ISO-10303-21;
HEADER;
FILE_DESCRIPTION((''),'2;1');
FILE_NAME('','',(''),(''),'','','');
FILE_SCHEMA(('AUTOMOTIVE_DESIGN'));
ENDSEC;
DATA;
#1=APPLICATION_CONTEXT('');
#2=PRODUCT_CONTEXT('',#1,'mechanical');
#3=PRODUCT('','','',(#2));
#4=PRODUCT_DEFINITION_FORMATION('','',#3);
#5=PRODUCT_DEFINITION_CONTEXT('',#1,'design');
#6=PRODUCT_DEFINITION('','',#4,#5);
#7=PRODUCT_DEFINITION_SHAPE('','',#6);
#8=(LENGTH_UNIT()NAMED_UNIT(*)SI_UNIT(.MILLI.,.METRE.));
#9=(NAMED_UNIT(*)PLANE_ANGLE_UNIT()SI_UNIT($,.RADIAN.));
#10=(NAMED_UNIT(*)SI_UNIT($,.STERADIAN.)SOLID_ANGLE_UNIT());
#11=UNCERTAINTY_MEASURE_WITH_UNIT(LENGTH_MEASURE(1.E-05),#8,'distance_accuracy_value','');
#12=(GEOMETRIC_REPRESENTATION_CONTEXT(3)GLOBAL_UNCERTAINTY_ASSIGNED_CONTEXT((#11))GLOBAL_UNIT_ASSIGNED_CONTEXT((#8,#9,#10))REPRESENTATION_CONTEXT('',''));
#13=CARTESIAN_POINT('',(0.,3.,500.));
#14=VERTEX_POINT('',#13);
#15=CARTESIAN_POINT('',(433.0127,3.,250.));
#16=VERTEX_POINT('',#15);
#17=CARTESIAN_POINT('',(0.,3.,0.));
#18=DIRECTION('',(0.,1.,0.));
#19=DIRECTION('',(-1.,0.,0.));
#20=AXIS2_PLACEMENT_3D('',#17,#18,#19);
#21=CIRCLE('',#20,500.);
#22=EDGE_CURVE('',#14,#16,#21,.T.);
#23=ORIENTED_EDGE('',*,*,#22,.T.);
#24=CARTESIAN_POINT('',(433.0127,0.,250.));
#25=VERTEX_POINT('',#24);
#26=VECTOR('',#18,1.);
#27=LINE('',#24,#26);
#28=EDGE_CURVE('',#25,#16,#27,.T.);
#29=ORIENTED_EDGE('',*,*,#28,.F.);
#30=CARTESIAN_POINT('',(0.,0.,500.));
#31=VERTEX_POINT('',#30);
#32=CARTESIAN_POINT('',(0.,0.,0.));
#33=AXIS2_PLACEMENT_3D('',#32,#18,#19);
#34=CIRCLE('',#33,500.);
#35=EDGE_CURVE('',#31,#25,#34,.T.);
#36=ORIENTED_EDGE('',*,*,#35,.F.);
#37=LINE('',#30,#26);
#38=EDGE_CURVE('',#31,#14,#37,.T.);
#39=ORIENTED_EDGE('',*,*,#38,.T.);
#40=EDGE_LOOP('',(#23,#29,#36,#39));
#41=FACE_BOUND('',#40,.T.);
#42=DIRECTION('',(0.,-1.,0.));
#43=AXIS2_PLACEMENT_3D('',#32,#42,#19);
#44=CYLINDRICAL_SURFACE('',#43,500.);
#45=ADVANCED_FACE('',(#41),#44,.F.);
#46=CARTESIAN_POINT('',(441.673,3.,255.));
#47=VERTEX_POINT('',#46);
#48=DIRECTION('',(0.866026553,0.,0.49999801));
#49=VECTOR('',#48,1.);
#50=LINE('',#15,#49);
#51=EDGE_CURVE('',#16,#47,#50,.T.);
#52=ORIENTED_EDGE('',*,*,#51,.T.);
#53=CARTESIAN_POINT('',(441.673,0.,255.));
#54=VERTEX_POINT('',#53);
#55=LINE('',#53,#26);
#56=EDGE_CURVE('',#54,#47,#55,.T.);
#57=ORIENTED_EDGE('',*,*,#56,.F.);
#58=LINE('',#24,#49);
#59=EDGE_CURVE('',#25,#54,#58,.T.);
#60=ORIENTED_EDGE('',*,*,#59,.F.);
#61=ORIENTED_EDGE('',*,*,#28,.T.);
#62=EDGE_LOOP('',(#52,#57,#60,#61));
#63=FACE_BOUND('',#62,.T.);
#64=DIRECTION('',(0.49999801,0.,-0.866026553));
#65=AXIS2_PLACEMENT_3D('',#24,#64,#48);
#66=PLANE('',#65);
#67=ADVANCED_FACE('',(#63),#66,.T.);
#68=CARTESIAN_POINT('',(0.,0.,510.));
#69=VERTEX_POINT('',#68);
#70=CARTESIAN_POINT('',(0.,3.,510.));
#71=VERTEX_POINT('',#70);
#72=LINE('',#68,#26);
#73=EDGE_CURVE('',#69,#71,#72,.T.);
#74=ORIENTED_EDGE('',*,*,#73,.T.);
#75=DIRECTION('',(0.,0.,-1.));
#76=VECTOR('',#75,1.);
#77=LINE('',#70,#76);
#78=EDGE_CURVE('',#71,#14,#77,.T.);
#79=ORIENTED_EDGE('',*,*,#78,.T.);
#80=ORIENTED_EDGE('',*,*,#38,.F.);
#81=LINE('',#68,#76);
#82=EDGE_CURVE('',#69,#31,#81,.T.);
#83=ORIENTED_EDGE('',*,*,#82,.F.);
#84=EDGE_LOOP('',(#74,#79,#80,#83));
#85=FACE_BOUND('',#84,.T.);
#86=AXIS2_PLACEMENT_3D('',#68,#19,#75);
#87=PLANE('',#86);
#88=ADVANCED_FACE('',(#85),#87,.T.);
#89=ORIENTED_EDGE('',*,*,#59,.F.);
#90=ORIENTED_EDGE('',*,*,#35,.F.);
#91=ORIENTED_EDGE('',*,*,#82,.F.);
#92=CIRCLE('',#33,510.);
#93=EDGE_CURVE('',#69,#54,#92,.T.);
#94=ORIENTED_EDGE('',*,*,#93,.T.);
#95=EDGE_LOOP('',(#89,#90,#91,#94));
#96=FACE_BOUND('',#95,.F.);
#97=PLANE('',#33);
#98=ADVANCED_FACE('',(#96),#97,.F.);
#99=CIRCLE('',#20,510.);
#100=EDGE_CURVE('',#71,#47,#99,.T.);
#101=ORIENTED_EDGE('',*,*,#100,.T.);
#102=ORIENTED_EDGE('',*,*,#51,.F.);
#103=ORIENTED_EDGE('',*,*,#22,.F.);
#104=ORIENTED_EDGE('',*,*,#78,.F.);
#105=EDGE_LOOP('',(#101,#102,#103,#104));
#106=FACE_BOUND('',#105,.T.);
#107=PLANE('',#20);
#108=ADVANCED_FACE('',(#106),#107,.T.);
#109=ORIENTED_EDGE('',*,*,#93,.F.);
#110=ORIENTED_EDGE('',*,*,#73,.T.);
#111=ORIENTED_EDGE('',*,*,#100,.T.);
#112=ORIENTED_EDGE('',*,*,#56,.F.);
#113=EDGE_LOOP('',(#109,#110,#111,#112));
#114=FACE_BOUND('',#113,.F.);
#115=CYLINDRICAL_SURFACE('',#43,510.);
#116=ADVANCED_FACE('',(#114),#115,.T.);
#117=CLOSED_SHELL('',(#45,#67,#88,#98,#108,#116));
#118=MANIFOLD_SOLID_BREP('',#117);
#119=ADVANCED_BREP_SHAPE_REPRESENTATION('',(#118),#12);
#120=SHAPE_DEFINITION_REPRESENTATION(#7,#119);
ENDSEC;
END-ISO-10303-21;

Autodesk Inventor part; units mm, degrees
ref_plane "YZ Plane" through (0, 0, 0) normal (1, 0, 0) x (0, 1, 0)
ref_plane "XZ Plane" through (0, 0, 0) normal (0, 1, 0) x (-1, 0, 0)
ref_plane "XY Plane" through (0, 0, 0) normal (0, 0, 1) x (1, 0, 0)
sketch "Sketch1" plane through (0, 0, 0) normal (0, 1, 0) x (-1, 0, 0)
  circle A0 centre (0, 0) radius 500
  circle A1 centre (0, 0) radius 510
  line L0 (510, 0) -> (500, 0)
  line L1 (-510, 0) -> (-500, 0)
  line L2 (0, 0) -> (-433.0127, 250) construction
  line L3 (0, 500) -> (0, 0) construction
  line L4 (0, 510) -> (0, 500)
  line L5 (-433.0127, 250) -> (-441.673, 255)
  point P0 (505, 0)
  point P1 (-505, 0)
  dimension "d0" = 1000
  dimension "d1" = 1020
  dimension "d4" = 60
extrude "Extrusion1" add sketch "Sketch1" along normal blind 3 contours A0 L5 A1 L4
properties part number "D100_CM_CIRCULO"
